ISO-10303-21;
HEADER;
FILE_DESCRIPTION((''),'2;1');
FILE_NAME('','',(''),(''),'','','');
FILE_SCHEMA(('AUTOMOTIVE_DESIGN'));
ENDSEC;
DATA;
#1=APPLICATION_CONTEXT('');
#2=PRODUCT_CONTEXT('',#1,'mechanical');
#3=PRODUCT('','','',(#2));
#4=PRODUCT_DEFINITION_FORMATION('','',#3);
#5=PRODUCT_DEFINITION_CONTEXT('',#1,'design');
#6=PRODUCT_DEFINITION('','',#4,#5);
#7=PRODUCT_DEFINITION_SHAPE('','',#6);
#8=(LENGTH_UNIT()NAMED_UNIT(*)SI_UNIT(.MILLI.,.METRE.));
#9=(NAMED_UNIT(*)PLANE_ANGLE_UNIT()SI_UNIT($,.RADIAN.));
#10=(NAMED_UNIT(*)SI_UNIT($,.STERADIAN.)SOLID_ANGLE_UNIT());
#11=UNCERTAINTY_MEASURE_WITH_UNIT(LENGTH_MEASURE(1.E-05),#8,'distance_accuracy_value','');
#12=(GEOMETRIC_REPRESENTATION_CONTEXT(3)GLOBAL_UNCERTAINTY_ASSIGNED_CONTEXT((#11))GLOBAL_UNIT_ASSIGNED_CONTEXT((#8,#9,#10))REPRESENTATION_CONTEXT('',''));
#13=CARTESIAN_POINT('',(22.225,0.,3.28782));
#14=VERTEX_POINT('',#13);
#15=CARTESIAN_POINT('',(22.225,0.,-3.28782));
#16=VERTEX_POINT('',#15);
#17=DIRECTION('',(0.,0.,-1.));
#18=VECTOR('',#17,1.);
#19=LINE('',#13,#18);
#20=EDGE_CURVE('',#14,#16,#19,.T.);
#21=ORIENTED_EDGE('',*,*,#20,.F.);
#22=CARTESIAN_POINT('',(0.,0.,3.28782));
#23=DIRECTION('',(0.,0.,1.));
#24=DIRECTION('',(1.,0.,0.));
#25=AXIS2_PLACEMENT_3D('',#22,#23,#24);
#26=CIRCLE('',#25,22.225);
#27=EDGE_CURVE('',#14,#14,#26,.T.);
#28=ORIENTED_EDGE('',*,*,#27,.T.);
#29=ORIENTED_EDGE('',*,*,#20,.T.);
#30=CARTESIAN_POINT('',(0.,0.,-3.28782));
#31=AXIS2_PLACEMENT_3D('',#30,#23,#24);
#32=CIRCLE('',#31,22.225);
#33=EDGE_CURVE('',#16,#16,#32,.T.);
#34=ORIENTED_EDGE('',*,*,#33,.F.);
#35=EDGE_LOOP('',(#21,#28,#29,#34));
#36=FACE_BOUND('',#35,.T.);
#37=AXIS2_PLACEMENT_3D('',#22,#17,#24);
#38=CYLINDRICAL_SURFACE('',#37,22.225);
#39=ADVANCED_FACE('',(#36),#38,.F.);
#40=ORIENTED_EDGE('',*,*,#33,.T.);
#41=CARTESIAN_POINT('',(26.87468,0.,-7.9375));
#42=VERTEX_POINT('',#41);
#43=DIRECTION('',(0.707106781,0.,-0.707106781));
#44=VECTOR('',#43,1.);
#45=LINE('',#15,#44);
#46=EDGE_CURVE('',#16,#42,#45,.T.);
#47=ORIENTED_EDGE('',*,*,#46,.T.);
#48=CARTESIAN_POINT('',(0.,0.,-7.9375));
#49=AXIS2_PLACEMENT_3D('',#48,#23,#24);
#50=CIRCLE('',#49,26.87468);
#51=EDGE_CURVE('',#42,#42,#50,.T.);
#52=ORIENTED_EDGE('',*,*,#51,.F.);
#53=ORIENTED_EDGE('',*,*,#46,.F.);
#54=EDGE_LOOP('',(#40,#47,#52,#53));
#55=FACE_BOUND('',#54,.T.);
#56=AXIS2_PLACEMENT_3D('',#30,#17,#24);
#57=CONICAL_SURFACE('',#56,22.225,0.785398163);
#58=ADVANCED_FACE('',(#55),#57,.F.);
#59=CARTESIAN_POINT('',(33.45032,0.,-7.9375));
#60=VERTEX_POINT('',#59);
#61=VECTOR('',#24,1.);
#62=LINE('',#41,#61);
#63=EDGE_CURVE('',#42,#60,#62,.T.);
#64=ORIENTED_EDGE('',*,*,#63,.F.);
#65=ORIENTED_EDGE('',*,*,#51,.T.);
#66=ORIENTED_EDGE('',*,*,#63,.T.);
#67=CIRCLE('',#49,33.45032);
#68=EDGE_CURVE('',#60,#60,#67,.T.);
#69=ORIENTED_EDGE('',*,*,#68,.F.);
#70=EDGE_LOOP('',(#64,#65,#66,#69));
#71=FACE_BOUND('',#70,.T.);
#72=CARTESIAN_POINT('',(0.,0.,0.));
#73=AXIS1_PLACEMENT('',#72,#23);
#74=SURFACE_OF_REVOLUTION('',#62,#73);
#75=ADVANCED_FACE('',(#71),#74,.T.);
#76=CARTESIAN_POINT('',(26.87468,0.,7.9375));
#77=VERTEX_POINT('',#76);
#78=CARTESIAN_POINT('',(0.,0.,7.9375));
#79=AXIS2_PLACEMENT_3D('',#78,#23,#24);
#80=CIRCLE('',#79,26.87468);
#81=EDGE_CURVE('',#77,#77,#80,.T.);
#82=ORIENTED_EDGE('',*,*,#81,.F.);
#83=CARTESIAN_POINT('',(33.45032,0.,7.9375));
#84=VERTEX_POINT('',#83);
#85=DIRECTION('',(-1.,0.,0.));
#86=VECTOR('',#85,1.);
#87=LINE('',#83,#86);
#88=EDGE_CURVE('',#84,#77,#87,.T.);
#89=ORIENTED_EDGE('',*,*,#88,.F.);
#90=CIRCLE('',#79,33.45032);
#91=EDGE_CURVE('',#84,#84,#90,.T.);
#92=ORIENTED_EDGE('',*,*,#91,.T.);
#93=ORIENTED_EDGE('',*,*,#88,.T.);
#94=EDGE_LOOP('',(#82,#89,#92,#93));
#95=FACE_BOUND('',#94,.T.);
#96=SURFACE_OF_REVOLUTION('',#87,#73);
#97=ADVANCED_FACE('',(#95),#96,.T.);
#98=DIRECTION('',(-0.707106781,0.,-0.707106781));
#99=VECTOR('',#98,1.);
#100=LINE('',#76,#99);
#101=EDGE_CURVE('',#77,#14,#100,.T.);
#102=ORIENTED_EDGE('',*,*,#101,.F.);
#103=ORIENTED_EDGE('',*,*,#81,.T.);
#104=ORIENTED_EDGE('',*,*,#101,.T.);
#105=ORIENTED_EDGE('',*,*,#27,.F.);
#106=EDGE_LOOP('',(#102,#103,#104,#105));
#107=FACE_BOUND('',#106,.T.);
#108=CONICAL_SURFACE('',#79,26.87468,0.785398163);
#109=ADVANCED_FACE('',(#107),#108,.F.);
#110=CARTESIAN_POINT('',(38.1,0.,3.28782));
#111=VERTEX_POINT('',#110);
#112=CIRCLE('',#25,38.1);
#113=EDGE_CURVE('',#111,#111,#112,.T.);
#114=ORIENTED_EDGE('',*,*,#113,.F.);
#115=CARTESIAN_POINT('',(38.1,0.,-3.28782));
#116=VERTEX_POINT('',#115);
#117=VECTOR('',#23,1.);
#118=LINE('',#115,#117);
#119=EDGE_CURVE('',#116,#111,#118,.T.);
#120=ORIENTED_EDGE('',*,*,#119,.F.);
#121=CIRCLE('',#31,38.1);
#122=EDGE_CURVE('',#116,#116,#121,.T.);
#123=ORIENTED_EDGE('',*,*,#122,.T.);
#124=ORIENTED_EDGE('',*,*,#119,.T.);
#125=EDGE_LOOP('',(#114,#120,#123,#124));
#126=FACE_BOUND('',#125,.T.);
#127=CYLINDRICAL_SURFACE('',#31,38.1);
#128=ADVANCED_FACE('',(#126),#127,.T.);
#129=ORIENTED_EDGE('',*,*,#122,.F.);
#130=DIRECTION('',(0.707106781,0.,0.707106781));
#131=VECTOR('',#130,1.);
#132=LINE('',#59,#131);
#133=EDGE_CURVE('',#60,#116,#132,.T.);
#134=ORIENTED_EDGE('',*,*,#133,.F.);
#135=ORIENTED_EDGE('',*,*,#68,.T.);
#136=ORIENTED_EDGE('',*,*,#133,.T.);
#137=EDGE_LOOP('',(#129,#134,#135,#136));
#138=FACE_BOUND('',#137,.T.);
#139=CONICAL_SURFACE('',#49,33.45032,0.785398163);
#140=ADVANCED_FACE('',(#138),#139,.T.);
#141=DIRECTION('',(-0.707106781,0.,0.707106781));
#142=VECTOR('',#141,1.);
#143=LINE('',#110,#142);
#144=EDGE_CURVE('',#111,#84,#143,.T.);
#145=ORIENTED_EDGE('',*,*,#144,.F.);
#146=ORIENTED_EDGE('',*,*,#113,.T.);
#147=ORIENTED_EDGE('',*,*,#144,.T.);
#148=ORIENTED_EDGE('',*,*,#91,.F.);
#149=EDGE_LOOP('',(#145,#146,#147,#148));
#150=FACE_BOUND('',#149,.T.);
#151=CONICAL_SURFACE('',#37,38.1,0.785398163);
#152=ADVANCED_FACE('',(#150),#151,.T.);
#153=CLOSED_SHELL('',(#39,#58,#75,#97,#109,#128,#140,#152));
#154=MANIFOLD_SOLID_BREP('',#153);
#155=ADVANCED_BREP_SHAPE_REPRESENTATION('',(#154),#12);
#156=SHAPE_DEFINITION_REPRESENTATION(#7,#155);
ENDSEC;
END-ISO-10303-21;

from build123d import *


with BuildPart() as f2:
    # F2: sweep along a path in F0
    with BuildLine(Plane.XY) as f2_path:
        CenterArc((0, 0), 30.1625, 0, 360)
    # F1 (on Front) → F2 (sweep)
    with BuildSketch(Plane.XZ):
        Polygon((26.87468, -7.9375), (33.45032, -7.9375), (38.1, -3.28782), (38.1, 3.28782), (33.45032, 7.9375), (26.87468, 7.9375), (22.225, 3.28782), (22.225, -3.28782), align=None)
    sweep(path=f2_path.line)


solid = f2.part
